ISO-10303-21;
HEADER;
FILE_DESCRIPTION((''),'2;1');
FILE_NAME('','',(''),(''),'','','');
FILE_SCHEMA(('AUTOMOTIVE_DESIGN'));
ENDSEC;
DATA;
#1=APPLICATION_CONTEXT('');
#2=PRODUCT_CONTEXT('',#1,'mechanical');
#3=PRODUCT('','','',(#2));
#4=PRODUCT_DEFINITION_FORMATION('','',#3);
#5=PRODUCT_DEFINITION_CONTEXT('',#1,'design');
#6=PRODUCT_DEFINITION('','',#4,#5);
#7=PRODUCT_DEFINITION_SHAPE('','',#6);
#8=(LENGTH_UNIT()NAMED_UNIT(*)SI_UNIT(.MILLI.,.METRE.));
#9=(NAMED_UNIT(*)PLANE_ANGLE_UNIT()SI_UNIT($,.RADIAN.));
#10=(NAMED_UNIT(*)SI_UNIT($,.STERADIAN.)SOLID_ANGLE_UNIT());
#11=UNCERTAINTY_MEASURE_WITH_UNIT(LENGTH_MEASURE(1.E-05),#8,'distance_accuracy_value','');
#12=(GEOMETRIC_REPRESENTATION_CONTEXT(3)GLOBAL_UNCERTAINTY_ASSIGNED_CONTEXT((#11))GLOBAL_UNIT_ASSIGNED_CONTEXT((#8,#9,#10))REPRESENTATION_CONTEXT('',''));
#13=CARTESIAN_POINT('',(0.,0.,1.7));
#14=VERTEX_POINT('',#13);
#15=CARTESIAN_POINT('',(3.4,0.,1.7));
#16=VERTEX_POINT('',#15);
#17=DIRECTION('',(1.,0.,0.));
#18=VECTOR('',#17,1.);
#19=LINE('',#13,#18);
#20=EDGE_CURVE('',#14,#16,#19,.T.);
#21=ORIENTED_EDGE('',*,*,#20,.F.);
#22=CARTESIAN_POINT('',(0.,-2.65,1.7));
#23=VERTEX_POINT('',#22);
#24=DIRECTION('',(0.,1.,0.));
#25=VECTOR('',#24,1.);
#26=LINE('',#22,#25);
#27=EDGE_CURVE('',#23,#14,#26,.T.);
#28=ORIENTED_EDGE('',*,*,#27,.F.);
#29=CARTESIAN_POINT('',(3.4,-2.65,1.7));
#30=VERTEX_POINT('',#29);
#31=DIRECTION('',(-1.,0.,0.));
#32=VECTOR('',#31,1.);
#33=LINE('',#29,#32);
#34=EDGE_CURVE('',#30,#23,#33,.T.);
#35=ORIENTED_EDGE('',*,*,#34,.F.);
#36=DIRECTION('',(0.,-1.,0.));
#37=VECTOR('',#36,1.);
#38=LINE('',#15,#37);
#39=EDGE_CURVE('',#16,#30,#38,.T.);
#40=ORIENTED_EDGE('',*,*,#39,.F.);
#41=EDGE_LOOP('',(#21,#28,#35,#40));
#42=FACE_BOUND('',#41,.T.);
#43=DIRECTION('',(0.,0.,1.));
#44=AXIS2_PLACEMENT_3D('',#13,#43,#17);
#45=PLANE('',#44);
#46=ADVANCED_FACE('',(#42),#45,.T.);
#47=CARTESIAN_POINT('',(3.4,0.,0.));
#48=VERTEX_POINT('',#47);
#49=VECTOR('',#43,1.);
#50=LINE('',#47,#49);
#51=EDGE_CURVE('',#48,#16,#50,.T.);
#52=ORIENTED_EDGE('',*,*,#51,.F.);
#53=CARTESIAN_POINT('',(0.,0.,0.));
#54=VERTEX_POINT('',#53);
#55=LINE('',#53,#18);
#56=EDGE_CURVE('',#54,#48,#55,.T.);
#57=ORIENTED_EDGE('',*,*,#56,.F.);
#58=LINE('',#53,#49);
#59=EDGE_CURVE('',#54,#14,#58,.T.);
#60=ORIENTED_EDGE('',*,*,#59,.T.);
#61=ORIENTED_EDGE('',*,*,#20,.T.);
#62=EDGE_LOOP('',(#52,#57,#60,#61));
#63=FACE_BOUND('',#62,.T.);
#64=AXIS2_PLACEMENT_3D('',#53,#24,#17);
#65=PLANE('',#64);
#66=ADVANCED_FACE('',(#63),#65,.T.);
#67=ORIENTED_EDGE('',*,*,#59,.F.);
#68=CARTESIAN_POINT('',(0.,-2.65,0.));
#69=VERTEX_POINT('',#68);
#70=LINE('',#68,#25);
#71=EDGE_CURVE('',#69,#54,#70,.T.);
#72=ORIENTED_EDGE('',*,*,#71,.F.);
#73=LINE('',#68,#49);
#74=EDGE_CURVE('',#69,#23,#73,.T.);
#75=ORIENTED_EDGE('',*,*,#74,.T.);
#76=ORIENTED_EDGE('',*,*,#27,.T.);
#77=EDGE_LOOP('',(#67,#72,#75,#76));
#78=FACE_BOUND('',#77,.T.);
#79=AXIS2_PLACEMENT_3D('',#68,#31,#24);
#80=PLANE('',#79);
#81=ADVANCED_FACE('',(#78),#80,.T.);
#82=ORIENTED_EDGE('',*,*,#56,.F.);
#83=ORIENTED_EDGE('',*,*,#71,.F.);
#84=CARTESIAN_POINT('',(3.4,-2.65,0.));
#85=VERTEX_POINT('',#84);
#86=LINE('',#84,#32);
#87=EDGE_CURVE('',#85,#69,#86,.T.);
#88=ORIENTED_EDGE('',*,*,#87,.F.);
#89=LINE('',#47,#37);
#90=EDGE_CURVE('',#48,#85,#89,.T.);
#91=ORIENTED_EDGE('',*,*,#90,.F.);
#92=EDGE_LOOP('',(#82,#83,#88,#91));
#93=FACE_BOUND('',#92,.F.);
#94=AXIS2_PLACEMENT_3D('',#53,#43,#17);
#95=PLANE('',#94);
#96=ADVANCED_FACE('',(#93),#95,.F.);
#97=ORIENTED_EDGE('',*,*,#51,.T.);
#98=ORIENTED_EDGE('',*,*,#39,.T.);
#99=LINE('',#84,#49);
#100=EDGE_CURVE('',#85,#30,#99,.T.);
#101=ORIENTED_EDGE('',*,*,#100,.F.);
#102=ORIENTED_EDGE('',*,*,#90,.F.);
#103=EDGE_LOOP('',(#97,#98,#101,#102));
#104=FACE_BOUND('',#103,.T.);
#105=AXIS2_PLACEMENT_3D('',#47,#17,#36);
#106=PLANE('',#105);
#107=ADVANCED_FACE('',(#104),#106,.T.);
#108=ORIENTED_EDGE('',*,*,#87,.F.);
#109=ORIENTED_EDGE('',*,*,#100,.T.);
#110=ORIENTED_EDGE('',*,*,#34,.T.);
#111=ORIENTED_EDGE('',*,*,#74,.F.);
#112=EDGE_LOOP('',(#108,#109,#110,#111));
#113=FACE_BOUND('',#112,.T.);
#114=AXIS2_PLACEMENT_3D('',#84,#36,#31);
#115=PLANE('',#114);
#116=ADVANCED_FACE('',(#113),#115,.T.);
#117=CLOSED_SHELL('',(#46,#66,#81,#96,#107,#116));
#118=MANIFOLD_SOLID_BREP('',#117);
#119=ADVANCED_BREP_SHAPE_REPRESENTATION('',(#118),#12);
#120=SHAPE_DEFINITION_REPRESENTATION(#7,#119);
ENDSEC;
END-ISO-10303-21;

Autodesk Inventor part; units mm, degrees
ref_plane "YZ Plane" through (0, 0, 0) normal (1, 0, 0) x (0, 1, 0)
ref_plane "XZ Plane" through (0, 0, 0) normal (0, 1, 0) x (-1, 0, 0)
ref_plane "XY Plane" through (0, 0, 0) normal (0, 0, 1) x (1, 0, 0)
sketch "Skizze1" plane through (0, 0, 0) normal (0, 0, 1) x (1, 0, 0)
  line L0 (0, 0) -> (3.4, 0)
  line L1 (3.4, 0) -> (3.4, -2.65)
  line L2 (3.4, -2.65) -> (0, -2.65)
  line L3 (0, -2.65) -> (0, 0)
  dimension "d0" = 2.65
  dimension "d1" = 3.4
extrude "Extrusion1" add sketch "Skizze1" along normal blind 1.7
properties part number "Sensor"
